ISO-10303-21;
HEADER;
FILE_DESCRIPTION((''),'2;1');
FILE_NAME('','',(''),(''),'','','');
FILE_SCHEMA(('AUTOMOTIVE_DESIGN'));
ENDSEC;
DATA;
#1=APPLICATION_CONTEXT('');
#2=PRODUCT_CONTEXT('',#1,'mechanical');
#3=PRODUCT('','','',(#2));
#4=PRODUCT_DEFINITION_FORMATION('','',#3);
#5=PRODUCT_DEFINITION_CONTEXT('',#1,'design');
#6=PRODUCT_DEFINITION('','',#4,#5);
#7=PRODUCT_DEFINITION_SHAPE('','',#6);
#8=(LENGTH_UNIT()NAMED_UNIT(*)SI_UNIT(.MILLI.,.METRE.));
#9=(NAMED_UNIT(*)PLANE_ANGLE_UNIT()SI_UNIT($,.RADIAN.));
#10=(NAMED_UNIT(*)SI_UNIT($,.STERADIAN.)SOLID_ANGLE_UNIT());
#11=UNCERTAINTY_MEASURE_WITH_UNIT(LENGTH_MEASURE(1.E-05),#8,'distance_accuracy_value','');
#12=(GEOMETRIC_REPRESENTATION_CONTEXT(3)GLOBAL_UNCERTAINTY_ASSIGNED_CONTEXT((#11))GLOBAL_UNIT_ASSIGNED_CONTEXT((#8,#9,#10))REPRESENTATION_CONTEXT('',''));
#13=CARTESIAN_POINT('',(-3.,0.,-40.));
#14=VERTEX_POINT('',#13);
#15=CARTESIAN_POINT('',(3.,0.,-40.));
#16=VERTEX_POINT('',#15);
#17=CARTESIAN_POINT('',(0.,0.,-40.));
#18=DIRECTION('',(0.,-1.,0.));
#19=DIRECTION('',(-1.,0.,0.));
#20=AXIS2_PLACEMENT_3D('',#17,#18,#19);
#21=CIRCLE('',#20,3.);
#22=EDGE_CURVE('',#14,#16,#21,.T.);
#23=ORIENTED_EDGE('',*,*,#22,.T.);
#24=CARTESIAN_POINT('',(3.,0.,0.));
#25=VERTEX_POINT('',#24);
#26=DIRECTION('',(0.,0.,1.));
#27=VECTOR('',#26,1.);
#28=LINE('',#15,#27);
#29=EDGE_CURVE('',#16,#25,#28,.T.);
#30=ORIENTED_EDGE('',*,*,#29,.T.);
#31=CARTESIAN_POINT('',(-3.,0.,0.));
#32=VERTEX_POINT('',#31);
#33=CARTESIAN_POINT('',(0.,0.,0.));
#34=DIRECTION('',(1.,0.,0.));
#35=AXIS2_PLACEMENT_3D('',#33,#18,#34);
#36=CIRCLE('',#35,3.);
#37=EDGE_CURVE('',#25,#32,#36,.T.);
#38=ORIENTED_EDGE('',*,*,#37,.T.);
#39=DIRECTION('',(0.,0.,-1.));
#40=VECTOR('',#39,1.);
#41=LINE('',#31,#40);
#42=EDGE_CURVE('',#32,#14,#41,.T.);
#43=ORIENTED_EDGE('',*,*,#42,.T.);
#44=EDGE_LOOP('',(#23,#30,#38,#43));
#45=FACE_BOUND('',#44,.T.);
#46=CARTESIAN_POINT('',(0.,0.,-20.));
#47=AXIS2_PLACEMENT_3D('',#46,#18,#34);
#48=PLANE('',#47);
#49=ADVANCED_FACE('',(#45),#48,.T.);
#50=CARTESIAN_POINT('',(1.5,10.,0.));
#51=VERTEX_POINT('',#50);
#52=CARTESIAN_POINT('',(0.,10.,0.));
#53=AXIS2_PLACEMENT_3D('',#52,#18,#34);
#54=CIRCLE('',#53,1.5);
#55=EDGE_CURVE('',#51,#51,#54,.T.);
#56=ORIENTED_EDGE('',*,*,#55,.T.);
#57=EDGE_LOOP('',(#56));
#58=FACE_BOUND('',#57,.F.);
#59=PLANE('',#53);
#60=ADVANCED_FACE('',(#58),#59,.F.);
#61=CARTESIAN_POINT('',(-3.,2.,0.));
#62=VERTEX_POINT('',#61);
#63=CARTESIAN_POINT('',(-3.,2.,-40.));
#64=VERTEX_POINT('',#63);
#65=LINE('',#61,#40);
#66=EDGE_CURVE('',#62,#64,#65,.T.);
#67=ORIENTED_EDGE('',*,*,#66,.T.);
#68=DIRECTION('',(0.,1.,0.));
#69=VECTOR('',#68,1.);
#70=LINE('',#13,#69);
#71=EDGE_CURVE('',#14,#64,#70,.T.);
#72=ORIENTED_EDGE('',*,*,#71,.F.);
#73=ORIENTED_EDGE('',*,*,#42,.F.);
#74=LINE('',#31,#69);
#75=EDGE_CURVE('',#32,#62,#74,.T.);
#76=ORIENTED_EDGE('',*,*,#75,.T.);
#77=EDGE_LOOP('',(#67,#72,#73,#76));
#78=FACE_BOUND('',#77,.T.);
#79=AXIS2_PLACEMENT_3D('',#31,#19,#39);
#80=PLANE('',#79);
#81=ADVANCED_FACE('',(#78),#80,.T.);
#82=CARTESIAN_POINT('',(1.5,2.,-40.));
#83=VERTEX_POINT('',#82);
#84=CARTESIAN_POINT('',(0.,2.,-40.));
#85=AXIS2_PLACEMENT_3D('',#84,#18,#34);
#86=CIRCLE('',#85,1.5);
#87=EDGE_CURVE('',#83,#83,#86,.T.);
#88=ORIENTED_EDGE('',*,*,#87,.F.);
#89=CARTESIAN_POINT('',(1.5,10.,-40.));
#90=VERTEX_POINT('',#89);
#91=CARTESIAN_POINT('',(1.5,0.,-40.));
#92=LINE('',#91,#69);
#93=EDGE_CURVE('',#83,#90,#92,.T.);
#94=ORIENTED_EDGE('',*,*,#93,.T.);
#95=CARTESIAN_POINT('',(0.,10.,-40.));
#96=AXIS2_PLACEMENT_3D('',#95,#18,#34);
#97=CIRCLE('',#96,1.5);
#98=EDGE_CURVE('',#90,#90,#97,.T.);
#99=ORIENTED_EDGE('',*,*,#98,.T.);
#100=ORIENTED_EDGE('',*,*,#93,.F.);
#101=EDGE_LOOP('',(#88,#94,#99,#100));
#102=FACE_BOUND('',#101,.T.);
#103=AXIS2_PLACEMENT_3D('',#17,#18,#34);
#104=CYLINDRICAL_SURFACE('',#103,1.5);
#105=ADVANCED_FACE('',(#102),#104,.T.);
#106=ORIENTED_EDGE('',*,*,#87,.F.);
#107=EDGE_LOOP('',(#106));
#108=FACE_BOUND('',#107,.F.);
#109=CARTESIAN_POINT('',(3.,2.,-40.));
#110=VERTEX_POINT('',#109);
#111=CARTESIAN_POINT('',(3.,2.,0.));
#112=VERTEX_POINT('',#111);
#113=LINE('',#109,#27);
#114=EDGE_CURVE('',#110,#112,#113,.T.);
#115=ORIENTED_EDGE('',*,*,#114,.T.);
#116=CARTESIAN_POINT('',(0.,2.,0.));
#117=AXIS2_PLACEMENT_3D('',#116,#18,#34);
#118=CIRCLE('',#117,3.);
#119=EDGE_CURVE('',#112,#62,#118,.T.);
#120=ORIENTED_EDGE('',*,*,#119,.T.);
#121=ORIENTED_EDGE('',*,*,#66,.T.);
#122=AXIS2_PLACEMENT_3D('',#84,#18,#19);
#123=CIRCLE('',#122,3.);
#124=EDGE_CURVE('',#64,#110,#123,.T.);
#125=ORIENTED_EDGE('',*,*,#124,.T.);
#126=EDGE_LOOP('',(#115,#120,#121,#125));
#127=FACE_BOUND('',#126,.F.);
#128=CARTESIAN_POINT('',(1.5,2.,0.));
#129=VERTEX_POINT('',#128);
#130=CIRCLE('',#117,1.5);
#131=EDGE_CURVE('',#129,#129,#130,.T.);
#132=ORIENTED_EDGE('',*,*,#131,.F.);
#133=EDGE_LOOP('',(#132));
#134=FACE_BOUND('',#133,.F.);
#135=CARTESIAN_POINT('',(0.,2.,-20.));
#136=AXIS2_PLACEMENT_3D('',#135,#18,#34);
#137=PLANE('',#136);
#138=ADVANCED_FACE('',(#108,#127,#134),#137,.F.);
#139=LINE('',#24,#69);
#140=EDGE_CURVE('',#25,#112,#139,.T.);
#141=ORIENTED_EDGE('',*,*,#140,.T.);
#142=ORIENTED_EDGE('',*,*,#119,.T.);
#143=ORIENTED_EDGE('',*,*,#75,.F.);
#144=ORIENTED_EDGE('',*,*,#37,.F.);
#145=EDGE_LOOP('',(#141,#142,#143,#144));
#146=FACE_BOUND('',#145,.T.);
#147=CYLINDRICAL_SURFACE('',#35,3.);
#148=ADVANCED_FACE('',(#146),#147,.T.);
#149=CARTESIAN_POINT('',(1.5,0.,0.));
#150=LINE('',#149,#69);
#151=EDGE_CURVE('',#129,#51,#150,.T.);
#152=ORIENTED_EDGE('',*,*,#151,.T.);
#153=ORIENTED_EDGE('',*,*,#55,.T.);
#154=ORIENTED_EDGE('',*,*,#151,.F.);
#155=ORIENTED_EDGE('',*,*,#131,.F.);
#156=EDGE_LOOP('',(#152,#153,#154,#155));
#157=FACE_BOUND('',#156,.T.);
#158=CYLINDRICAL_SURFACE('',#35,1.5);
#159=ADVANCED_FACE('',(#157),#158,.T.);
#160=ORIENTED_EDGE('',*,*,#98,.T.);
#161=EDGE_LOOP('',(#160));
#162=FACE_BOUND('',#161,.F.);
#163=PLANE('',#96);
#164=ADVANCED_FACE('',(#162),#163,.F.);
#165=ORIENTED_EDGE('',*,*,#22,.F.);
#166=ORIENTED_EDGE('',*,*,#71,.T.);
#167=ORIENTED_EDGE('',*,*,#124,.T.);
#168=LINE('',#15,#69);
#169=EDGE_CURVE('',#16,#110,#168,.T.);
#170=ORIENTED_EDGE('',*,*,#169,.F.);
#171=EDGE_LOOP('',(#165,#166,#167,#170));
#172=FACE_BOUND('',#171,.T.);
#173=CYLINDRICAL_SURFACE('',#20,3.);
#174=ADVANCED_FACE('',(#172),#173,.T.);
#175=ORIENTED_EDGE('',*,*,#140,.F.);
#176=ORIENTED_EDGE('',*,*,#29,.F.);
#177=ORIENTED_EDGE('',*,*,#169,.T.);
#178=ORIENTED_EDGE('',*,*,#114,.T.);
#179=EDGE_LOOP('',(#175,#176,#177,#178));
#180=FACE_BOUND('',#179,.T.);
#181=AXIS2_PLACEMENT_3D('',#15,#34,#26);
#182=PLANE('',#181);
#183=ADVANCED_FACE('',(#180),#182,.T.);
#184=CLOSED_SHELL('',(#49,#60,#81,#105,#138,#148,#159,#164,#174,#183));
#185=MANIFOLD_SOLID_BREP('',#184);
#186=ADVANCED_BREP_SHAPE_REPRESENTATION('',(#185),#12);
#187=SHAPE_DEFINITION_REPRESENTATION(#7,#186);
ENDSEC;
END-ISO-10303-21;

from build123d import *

# Parameters (mm, degrees)
F0_R     = 1.5
F1_DEPTH = 10
F3_R     = 1.5
F4_DEPTH = 10
F5_DEPTH = 2


with BuildPart() as f1:
    # F0 (on Front) → F1 (new body)
    with BuildSketch(Plane.XZ):
        Circle(F0_R)
    extrude(amount=-F1_DEPTH)



with BuildPart() as f4:
    # F3 (on Front) → F4 (new body, through all)
    with BuildSketch(Plane.XZ):
        with Locations((0, -40)):
            Circle(F3_R)
    extrude(amount=-F4_DEPTH)


with BuildPart() as f1_1:
    add(f1.part)

    add(f4.part)  # F5 merges F4
    # F2 (on Front) → F5 (join)
    with BuildSketch(Plane.XZ):
        with BuildLine():
            ThreePointArc((3, 0), (0, 3), (-3, 0))
            Line((-3, 0), (-3, -40))
            ThreePointArc((-3, -40), (0, -43), (3, -40))
            Line((3, -40), (3, 0))
        make_face()
    extrude(amount=-F5_DEPTH)


solid = f1_1.part
